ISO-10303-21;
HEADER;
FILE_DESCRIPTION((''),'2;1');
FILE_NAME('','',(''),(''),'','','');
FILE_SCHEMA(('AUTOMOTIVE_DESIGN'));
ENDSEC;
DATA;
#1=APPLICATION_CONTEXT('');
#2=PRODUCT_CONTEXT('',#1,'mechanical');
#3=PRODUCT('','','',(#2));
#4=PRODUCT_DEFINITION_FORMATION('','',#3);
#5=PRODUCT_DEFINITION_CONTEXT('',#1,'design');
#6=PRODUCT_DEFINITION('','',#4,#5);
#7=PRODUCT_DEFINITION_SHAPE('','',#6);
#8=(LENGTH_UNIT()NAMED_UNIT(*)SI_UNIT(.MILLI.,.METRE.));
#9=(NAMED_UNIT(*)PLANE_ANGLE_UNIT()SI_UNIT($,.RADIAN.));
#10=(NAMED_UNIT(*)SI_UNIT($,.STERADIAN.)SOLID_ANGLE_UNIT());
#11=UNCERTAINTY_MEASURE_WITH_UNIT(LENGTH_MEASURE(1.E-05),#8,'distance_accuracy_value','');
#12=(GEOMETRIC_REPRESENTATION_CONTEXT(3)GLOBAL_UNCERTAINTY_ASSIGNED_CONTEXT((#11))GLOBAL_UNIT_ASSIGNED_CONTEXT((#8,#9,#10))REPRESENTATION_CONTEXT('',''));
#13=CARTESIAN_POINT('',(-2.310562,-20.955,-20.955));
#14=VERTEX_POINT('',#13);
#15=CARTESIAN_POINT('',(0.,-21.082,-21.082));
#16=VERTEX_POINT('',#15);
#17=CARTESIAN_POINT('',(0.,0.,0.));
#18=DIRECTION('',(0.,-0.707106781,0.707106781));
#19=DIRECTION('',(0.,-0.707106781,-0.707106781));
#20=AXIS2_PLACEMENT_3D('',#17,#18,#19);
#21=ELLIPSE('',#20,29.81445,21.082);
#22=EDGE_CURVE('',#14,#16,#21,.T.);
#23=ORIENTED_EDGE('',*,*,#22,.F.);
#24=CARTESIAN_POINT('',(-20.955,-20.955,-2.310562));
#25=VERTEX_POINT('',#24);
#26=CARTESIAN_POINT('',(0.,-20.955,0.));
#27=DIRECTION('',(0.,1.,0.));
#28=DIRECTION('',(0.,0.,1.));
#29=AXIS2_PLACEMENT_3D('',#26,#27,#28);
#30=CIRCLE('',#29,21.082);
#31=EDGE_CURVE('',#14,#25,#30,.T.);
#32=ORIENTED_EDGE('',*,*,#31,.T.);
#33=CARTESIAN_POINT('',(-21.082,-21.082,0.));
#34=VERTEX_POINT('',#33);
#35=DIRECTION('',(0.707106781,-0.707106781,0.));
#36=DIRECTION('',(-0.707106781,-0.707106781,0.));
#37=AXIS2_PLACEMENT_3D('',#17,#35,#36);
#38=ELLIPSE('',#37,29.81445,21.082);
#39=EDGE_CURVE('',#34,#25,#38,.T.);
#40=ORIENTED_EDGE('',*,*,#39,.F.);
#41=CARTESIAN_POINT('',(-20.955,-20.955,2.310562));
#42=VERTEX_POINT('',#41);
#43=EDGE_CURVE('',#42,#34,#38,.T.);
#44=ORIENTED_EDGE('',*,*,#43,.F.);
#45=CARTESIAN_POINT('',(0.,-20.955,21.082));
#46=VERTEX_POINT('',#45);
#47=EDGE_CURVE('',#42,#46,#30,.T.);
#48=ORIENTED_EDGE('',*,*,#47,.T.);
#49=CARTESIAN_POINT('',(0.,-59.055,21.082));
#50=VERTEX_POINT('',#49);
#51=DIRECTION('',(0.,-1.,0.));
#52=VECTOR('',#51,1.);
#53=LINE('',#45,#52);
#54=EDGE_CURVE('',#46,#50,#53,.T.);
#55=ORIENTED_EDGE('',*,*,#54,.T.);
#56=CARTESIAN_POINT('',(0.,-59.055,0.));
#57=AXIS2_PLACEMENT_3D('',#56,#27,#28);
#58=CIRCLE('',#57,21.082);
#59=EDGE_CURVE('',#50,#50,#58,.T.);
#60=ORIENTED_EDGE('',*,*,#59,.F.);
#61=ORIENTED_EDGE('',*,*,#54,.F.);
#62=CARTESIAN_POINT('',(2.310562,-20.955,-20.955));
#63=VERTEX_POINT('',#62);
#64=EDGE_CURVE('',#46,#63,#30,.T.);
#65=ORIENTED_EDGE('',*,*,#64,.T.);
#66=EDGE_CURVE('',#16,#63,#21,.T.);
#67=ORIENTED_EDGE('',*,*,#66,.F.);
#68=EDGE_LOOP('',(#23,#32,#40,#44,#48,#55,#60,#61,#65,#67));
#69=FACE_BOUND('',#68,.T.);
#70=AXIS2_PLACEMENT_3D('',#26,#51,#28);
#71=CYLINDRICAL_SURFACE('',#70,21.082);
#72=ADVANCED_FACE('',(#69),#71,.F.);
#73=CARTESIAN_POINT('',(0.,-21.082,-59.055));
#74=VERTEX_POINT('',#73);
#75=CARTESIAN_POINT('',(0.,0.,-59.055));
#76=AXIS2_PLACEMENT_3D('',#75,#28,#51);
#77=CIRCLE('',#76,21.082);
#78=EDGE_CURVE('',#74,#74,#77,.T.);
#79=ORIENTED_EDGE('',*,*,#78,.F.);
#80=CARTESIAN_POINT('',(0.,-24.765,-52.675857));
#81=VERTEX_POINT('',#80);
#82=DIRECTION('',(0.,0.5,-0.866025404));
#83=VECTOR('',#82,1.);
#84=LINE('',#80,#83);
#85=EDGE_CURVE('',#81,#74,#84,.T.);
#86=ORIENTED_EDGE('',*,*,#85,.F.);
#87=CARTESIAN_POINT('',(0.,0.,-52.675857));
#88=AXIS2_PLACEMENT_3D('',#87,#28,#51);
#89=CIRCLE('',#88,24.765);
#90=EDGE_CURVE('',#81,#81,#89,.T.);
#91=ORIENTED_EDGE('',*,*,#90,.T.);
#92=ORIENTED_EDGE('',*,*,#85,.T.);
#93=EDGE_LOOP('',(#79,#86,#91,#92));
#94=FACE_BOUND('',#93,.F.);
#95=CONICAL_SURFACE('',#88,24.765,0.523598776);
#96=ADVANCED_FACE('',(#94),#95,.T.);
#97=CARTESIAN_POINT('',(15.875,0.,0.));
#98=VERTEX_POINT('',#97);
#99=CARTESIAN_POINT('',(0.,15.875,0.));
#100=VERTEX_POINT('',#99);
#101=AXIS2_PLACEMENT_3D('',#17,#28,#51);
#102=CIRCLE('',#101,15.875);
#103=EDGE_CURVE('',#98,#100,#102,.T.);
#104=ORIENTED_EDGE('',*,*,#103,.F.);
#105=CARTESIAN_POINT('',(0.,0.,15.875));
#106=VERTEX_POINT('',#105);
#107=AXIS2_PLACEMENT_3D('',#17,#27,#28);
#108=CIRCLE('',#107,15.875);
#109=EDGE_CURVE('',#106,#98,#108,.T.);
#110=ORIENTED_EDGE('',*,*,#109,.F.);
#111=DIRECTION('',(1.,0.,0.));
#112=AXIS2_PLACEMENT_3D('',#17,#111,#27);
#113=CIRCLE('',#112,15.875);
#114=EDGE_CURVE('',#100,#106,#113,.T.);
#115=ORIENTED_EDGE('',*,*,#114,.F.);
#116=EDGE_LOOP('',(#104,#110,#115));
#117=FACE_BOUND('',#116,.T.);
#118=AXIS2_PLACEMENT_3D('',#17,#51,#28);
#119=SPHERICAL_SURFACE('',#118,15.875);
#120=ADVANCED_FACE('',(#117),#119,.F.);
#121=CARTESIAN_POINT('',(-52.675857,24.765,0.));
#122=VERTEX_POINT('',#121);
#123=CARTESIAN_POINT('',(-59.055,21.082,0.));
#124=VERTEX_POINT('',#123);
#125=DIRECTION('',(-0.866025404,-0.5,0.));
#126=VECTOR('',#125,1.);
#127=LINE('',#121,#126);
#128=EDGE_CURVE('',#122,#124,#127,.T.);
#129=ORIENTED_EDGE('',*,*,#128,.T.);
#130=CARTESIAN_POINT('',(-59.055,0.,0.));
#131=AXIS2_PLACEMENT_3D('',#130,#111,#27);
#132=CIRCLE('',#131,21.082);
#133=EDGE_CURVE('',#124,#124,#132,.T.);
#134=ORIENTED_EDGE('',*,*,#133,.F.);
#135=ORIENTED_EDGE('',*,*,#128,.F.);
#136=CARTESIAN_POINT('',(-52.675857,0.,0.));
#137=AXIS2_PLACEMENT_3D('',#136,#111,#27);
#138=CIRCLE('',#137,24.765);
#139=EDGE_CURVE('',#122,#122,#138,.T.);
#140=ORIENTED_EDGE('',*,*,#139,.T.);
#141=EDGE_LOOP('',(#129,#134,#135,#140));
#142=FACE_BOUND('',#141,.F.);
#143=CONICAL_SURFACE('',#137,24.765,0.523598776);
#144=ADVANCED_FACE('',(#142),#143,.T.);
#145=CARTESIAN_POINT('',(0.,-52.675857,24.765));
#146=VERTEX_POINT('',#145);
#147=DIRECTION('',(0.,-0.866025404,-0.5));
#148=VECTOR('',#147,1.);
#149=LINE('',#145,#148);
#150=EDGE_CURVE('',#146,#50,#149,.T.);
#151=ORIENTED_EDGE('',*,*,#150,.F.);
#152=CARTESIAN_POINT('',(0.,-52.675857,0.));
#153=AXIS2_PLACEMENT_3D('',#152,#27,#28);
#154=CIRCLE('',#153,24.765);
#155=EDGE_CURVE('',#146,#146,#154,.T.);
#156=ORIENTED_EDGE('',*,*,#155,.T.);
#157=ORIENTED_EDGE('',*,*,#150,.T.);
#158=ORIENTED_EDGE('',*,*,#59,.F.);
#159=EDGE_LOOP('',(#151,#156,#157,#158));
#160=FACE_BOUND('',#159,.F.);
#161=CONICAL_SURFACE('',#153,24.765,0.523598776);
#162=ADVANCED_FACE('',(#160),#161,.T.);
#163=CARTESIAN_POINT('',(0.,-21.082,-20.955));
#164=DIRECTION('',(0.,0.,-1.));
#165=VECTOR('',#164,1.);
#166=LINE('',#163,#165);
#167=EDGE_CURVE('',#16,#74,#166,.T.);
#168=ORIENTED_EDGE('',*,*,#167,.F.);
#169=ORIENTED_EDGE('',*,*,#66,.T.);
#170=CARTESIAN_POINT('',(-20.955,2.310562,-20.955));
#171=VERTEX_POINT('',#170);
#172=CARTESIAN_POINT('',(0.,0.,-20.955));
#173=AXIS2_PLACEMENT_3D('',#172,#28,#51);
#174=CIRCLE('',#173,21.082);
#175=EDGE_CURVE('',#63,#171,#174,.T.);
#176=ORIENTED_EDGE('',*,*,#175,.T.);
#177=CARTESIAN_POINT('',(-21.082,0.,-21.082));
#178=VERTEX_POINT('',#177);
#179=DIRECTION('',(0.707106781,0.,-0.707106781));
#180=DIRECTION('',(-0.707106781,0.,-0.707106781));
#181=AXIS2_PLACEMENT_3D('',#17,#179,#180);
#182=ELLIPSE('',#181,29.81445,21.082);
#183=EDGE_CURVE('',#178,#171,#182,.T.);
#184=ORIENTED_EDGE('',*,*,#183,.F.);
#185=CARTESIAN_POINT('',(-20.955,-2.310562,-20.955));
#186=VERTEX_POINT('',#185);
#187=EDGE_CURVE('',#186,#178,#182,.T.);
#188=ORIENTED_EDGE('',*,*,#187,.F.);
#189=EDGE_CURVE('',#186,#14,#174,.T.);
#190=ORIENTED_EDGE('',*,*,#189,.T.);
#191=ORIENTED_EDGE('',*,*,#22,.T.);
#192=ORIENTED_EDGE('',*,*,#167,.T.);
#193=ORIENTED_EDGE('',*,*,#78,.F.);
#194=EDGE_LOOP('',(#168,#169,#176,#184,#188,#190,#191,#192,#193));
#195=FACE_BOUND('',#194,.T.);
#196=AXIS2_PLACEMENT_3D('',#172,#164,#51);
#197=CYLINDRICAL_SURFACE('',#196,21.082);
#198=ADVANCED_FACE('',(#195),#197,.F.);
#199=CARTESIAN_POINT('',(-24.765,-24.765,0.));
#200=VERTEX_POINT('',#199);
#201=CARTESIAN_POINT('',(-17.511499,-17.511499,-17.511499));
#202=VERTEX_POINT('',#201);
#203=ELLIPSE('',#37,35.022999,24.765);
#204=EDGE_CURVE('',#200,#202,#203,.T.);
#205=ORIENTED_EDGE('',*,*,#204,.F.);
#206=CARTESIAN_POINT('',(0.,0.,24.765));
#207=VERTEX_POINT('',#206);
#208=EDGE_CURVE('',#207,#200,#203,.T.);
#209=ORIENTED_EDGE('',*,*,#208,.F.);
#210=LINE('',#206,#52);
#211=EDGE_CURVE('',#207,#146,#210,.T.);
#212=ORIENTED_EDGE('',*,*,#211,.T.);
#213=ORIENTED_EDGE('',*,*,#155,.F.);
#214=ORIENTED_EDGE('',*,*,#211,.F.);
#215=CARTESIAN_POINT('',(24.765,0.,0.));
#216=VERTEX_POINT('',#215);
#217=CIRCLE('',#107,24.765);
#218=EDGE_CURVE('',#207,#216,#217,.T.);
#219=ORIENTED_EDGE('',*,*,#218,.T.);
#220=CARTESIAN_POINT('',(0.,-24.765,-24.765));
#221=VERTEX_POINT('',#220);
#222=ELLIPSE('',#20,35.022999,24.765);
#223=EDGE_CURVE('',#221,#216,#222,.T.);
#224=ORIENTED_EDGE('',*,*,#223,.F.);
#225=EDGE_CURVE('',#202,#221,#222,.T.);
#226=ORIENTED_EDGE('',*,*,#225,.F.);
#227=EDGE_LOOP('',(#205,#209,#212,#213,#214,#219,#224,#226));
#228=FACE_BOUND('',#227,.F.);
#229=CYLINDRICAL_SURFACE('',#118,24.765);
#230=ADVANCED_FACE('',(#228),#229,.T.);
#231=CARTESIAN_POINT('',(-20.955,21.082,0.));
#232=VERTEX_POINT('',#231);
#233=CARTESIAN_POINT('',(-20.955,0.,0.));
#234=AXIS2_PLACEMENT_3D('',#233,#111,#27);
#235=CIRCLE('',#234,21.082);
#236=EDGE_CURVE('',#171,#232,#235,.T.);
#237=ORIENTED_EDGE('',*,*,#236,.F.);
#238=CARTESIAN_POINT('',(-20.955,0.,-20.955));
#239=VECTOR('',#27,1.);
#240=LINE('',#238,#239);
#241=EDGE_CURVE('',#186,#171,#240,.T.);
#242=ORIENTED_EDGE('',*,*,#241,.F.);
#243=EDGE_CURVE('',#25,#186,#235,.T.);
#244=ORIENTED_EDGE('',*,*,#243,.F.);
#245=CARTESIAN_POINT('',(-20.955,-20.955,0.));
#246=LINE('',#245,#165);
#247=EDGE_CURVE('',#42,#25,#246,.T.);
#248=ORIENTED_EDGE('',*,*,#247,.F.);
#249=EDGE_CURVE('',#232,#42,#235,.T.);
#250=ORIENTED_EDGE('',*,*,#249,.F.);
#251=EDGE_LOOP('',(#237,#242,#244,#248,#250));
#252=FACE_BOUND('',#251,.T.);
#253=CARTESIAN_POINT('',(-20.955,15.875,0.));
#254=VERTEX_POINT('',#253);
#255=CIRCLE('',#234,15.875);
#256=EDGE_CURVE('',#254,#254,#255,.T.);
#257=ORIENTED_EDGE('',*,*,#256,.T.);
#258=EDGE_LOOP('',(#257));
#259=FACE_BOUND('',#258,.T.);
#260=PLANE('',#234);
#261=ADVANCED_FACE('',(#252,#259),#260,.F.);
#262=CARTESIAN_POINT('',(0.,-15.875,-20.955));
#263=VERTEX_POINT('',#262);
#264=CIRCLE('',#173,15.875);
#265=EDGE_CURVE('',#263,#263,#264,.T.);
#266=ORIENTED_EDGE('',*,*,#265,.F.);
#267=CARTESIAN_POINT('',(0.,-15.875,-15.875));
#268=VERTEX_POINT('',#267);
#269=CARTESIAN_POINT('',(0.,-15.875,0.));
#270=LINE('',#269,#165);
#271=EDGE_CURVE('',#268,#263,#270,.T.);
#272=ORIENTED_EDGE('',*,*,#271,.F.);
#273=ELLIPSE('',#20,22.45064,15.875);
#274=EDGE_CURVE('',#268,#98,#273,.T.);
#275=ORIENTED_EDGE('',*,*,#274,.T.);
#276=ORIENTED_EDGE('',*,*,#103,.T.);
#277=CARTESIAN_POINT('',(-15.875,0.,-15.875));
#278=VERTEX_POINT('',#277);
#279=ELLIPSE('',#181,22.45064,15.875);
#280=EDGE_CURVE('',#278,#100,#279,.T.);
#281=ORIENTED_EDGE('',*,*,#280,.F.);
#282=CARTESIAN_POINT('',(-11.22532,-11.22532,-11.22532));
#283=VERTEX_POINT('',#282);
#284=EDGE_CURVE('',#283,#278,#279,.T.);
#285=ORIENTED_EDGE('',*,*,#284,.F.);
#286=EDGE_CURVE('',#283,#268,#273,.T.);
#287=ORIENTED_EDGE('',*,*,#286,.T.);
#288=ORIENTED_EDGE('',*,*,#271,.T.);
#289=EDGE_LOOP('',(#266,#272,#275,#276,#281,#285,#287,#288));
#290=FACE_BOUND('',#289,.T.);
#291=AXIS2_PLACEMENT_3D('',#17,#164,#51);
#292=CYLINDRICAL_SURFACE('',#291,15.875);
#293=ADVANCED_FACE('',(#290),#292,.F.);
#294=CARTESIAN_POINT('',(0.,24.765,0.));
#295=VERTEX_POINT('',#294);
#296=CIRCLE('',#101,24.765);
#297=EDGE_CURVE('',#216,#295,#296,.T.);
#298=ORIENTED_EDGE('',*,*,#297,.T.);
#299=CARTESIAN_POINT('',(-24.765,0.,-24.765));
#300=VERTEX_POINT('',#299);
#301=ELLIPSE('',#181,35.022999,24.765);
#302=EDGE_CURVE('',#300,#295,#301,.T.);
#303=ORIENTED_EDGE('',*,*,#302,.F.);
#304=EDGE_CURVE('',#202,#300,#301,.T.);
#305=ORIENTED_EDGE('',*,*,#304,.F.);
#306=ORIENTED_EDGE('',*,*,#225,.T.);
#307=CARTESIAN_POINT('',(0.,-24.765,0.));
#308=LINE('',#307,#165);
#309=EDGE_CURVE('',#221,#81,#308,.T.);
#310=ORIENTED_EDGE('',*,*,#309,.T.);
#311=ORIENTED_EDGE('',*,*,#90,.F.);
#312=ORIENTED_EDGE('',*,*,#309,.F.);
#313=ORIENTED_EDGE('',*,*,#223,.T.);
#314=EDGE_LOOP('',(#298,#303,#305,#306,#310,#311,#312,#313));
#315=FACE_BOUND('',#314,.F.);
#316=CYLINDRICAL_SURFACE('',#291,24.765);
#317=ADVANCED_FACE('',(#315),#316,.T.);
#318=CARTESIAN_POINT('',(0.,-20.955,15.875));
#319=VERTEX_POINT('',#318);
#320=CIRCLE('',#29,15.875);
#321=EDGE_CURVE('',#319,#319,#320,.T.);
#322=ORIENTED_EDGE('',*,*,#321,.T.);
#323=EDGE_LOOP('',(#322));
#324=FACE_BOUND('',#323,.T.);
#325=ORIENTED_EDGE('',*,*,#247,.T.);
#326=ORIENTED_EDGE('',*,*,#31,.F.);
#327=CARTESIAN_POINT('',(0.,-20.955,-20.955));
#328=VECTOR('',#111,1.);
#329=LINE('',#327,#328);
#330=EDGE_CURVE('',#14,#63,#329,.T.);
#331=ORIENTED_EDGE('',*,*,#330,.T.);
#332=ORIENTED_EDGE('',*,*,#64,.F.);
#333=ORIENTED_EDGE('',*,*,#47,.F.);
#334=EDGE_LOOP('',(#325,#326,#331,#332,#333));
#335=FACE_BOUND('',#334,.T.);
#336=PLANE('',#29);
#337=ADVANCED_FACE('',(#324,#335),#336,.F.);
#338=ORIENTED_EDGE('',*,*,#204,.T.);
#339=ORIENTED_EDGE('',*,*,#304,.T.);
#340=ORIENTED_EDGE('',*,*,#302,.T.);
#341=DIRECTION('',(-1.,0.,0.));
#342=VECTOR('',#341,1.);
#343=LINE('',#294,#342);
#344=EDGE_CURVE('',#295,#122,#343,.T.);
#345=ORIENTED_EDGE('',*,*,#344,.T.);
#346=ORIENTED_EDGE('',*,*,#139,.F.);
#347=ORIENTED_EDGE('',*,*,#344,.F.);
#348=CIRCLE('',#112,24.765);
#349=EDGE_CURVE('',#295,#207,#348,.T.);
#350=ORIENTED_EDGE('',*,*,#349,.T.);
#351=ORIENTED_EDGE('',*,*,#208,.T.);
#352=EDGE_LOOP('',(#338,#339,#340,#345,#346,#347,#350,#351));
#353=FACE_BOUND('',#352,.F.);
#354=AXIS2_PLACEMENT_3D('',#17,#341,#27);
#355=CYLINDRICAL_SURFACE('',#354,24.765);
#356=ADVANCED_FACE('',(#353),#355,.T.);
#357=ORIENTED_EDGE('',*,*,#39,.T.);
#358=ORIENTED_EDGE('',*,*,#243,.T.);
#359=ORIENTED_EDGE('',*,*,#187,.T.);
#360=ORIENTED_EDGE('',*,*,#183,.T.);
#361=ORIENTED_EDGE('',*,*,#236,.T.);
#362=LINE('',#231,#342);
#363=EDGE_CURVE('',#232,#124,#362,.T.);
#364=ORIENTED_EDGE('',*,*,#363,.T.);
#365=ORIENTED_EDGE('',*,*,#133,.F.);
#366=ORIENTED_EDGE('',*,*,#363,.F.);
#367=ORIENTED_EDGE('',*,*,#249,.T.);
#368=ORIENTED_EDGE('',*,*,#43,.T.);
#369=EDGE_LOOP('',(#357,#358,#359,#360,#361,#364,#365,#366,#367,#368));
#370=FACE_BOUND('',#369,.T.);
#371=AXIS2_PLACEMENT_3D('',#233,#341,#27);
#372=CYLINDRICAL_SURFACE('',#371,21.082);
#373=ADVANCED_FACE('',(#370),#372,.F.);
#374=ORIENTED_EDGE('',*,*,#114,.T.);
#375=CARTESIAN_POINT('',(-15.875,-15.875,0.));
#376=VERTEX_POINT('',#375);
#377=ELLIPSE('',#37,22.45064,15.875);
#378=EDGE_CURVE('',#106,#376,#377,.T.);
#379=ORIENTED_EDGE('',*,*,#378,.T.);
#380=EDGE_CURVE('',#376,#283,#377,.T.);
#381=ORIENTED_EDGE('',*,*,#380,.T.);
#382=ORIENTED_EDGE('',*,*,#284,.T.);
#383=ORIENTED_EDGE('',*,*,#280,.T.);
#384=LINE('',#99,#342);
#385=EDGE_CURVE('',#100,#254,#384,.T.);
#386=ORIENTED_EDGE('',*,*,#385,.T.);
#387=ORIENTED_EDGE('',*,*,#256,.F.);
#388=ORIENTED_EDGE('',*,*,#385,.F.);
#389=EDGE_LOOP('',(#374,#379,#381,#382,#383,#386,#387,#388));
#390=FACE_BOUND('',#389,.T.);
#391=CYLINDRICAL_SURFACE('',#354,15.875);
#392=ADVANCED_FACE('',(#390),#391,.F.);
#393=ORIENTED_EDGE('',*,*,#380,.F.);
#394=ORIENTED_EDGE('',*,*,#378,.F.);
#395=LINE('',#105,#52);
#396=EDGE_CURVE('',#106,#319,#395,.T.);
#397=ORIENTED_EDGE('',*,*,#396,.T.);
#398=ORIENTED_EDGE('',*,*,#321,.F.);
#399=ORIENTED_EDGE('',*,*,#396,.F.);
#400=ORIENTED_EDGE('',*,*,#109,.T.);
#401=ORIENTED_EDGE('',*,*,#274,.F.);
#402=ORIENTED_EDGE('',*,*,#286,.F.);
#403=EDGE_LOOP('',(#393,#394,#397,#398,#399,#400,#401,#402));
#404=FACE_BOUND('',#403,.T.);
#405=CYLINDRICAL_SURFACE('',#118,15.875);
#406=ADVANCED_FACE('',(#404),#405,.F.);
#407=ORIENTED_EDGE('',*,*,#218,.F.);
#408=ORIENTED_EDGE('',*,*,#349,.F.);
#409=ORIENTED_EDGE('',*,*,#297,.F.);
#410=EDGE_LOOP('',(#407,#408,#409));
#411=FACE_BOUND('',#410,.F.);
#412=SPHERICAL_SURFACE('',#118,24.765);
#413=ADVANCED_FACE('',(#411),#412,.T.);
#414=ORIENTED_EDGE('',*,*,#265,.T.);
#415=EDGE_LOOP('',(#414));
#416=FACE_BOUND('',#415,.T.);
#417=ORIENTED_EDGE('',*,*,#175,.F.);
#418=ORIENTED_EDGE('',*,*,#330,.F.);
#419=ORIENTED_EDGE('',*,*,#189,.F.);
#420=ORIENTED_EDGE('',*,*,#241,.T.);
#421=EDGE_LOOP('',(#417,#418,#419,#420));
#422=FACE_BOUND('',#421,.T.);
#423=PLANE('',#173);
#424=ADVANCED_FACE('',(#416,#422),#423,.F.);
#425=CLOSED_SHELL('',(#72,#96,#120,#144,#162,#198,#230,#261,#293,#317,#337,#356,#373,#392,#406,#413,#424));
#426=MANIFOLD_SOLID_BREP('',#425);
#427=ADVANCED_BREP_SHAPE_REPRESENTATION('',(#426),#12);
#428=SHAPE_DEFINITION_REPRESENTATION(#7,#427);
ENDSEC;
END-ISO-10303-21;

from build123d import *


with BuildPart() as f3:
    # F0 (on Right) → F3 (revolve)
    with BuildSketch(Plane.YZ):
        with BuildLine():
            Line((-52.6758568757, 24.765), (-59.055, 21.082))
            Line((-59.055, 21.082), (-20.955, 21.082))
            Line((-20.955, 21.082), (-20.955, 15.875))
            Line((-20.955, 15.875), (0, 15.875))
            ThreePointArc((0, 15.875), (11.2253201513, 11.2253201513), (15.875, 0))
            Line((15.875, 0), (24.765, 0))
            ThreePointArc((24.765, 0), (17.5114994361, 17.5114994361), (0, 24.765))
            Line((0, 24.765), (-52.6758568757, 24.765))
        make_face()
        with BuildLine():
            Line((-20.955, 21.082), (-59.055, 21.082))
            Line((-59.055, 21.082), (-59.055, 0))
            Line((-59.055, 0), (0, 0))
            Line((0, 0), (10.5189766587, 0))
            Line((10.5189766587, 0), (15.875, 0))
            ThreePointArc((15.875, 0), (11.2253201513, 11.2253201513), (0, 15.875))
            Line((0, 15.875), (-20.955, 15.875))
            Line((-20.955, 15.875), (-20.955, 21.082))
        make_face()
    revolve(axis=Axis((0, -21.59, 0), (0, 1, 0)))

    # F1 (on Right) → F4 (revolve)
    with BuildSketch(Plane.YZ):
        with BuildLine():
            Line((-24.765, -52.6758568757), (-21.082, -59.055))
            Line((-21.082, -59.055), (-21.082, -20.955))
            Line((-21.082, -20.955), (-15.875, -20.955))
            Line((-15.875, -20.955), (-15.875, 0))
            ThreePointArc((-15.875, 0), (-11.2253201513, 11.2253201513), (0, 15.875))
            Line((0, 15.875), (0, 24.765))
            ThreePointArc((0, 24.765), (-17.5114994361, 17.5114994361), (-24.765, 0))
            Line((-24.765, 0), (-24.765, -52.6758568757))
        make_face()
        with BuildLine():
            Line((-21.082, -20.955), (-21.082, -59.055))
            Line((-21.082, -59.055), (0, -59.055))
            Line((0, -59.055), (0, 0))
            Line((0, 0), (0, 15.875))
            ThreePointArc((0, 15.875), (-11.2253201513, 11.2253201513), (-15.875, 0))
            Line((-15.875, 0), (-15.875, -20.955))
            Line((-15.875, -20.955), (-21.082, -20.955))
        make_face()
    revolve(axis=Axis((0, 0, -21.59), (0, 0, 1)))

    # F2 (on Top) → F5 (revolve)
    with BuildSketch(Plane.XY):
        with BuildLine():
            Line((-52.6758568757, 24.765), (-59.055, 21.082))
            Line((-59.055, 21.082), (-20.955, 21.082))
            Line((-20.955, 21.082), (-20.955, 15.875))
            Line((-20.955, 15.875), (0, 15.875))
            ThreePointArc((0, 15.875), (11.2253201513, 11.2253201513), (15.875, 0))
            Line((15.875, 0), (24.765, 0))
            ThreePointArc((24.765, 0), (17.5114994361, 17.5114994361), (0, 24.765))
            Line((0, 24.765), (-52.6758568757, 24.765))
        make_face()
        with BuildLine():
            Line((-20.955, 21.082), (-59.055, 21.082))
            Line((-59.055, 21.082), (-59.055, 0))
            Line((-59.055, 0), (-12.5608257832, 0))
            Line((-12.5608257832, 0), (0, 0))
            Line((0, 0), (15.875, 0))
            ThreePointArc((15.875, 0), (11.2253201513, 11.2253201513), (0, 15.875))
            Line((0, 15.875), (-20.955, 15.875))
            Line((-20.955, 15.875), (-20.955, 21.082))
        make_face()
    revolve(axis=Axis((-21.59, 0, 0), (1, 0, 0)))

    # F0 (on Right) → F6 (revolve, cut)
    with BuildSketch(Plane.YZ):
        with BuildLine():
            Line((-20.955, 21.082), (-59.055, 21.082))
            Line((-59.055, 21.082), (-59.055, 0))
            Line((-59.055, 0), (0, 0))
            Line((0, 0), (10.5189766587, 0))
            Line((10.5189766587, 0), (15.875, 0))
            ThreePointArc((15.875, 0), (11.2253201513, 11.2253201513), (0, 15.875))
            Line((0, 15.875), (-20.955, 15.875))
            Line((-20.955, 15.875), (-20.955, 21.082))
        make_face()
    revolve(axis=Axis((0, -21.59, 0), (0, 1, 0)), mode=Mode.SUBTRACT)

    # F1 (on Right) → F7 (revolve, cut)
    with BuildSketch(Plane.YZ):
        with BuildLine():
            Line((-21.082, -20.955), (-21.082, -59.055))
            Line((-21.082, -59.055), (0, -59.055))
            Line((0, -59.055), (0, 0))
            Line((0, 0), (0, 15.875))
            ThreePointArc((0, 15.875), (-11.2253201513, 11.2253201513), (-15.875, 0))
            Line((-15.875, 0), (-15.875, -20.955))
            Line((-15.875, -20.955), (-21.082, -20.955))
        make_face()
    revolve(axis=Axis((0, 0, -21.59), (0, 0, 1)), mode=Mode.SUBTRACT)

    # F2 (on Top) → F8 (revolve, cut)
    with BuildSketch(Plane.XY):
        with BuildLine():
            Line((-20.955, 21.082), (-59.055, 21.082))
            Line((-59.055, 21.082), (-59.055, 0))
            Line((-59.055, 0), (-12.5608257832, 0))
            Line((-12.5608257832, 0), (0, 0))
            Line((0, 0), (15.875, 0))
            ThreePointArc((15.875, 0), (11.2253201513, 11.2253201513), (0, 15.875))
            Line((0, 15.875), (-20.955, 15.875))
            Line((-20.955, 15.875), (-20.955, 21.082))
        make_face()
    revolve(axis=Axis((-21.59, 0, 0), (1, 0, 0)), mode=Mode.SUBTRACT)


solid = f3.part
